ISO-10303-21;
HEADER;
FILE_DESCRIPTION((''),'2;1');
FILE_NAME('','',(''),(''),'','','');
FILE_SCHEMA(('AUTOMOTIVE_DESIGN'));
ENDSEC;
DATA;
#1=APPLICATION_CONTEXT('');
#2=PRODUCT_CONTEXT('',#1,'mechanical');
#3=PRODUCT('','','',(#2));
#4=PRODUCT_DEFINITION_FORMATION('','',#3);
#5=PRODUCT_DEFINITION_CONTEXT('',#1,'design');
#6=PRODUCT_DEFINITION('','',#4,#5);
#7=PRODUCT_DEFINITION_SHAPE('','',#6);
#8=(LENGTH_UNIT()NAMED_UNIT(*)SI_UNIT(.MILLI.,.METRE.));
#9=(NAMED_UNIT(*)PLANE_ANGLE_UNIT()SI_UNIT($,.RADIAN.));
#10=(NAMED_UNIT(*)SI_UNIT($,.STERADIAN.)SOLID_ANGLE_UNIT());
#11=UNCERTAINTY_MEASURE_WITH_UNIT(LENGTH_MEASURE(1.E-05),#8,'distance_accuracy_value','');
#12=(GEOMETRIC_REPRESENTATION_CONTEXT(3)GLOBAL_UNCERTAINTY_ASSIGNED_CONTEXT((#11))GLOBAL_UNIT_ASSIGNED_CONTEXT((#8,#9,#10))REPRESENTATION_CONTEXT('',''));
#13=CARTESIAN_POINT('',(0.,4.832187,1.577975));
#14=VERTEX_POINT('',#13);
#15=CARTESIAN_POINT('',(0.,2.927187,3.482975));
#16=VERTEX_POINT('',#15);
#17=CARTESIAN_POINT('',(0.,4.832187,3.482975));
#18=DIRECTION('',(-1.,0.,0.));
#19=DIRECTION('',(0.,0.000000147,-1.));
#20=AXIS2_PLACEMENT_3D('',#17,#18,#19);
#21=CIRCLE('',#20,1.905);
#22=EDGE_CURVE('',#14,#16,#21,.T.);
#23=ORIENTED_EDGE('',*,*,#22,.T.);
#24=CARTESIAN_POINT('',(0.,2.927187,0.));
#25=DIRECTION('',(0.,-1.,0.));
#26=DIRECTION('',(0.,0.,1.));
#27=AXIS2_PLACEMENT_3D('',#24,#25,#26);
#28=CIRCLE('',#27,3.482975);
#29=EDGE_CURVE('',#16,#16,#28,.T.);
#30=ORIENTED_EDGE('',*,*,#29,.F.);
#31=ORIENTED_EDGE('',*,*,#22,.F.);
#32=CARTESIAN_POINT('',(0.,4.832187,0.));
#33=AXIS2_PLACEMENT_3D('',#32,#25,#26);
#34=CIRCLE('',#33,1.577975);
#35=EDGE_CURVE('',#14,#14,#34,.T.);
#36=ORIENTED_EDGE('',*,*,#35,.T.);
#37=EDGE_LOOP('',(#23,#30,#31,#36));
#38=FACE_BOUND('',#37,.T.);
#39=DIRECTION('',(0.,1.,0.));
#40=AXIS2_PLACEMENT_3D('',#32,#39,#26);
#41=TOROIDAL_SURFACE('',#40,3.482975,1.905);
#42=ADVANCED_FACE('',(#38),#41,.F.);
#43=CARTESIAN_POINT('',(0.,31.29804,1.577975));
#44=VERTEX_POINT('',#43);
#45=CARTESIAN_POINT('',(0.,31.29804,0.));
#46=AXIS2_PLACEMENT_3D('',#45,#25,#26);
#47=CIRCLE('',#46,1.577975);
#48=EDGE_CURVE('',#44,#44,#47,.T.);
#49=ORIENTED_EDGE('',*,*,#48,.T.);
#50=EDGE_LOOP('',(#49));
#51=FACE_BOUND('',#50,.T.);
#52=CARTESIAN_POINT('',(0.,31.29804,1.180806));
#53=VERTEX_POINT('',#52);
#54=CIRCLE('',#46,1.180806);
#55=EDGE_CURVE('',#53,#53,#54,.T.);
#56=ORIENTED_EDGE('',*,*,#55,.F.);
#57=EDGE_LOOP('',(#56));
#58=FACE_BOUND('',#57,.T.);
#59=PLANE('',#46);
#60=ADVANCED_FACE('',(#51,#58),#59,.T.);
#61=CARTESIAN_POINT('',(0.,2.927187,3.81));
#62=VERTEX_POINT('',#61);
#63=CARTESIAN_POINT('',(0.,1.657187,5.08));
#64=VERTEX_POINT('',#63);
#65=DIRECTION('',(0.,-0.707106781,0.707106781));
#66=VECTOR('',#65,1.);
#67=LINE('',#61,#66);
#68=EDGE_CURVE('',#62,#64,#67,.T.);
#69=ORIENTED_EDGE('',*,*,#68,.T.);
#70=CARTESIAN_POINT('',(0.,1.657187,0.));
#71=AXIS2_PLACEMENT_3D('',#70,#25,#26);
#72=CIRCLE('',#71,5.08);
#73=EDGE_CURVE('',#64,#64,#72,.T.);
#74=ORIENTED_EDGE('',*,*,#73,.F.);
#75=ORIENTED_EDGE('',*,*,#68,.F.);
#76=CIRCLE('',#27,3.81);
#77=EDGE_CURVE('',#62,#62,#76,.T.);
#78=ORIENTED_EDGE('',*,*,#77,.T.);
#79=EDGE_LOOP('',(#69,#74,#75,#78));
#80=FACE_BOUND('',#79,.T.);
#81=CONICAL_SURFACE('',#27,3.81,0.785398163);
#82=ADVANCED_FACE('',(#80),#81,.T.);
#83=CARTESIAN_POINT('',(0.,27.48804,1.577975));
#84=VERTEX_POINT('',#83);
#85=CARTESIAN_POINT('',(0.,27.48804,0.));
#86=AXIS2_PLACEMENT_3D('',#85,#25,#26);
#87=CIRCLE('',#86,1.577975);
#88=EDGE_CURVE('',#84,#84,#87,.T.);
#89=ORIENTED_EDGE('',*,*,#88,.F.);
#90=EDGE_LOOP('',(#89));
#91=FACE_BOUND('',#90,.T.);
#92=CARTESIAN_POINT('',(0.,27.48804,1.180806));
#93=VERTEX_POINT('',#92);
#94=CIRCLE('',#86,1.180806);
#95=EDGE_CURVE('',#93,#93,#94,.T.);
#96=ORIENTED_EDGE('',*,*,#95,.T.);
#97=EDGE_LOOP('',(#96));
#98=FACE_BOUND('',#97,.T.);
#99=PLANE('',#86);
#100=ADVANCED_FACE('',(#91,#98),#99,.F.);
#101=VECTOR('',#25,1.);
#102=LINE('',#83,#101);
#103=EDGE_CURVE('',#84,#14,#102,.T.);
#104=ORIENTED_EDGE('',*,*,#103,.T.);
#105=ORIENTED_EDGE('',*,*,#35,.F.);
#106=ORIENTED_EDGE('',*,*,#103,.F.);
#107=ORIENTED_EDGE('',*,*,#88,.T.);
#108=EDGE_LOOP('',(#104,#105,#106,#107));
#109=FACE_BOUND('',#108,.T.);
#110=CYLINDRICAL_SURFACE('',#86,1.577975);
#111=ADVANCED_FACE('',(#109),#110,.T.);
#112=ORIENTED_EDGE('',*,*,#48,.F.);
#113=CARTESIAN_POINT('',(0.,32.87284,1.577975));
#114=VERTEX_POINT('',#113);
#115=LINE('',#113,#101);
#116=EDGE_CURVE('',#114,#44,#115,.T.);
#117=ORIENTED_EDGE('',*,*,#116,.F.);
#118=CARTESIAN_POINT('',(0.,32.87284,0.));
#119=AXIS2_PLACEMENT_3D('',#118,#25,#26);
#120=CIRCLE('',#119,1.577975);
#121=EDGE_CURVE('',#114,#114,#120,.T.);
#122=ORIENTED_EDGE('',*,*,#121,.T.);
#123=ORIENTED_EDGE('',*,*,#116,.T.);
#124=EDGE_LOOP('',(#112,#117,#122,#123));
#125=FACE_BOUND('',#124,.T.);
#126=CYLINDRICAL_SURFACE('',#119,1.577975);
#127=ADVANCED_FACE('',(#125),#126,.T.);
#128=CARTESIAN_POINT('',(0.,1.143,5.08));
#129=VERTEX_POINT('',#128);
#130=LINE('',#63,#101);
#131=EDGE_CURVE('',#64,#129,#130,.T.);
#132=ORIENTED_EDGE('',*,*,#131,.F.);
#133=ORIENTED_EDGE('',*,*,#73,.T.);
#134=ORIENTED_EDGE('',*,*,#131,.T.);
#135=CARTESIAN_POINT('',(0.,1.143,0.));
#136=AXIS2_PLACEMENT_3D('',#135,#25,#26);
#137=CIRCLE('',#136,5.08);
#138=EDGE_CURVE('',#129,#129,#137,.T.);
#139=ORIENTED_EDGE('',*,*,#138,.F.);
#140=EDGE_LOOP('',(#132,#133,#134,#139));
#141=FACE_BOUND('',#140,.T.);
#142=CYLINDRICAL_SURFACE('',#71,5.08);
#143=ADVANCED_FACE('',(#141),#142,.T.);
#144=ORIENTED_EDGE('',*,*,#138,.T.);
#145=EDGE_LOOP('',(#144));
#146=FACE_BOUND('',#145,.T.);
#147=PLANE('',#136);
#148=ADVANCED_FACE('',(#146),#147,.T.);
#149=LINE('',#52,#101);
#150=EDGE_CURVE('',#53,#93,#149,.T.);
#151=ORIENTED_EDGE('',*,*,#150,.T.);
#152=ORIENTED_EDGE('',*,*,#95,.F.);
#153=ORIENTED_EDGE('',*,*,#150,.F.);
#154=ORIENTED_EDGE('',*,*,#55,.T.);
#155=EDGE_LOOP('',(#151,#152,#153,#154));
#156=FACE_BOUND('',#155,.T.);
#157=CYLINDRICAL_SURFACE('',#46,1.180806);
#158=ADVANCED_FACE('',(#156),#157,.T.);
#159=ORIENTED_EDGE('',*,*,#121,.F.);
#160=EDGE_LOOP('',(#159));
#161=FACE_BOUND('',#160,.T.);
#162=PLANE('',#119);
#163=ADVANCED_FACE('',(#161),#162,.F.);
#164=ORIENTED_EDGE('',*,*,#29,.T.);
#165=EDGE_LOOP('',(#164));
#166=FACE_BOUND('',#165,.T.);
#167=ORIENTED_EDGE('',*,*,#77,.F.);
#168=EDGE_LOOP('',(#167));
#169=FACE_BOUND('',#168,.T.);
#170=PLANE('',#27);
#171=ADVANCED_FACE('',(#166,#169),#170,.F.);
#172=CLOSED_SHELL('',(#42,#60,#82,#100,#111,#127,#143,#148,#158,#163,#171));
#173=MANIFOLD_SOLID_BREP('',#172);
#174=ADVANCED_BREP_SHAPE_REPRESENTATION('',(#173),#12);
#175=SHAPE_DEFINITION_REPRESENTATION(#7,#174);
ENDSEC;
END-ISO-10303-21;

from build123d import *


with BuildPart() as f1:
    # F0 (on Right) → F1 (revolve)
    with BuildSketch(Plane.YZ):
        with BuildLine():
            Line((2.927187, 3.81), (1.657187, 5.08))
            Line((1.657187, 5.08), (1.143, 5.08))
            Line((1.143, 5.08), (1.143, 0))
            Line((1.143, 0), (32.87284, 0))
            Line((32.87284, 0), (32.87284, 1.577975))
            Line((32.87284, 1.577975), (31.29804, 1.577975))
            Line((31.29804, 1.577975), (31.29804, 1.180806))
            Line((31.29804, 1.180806), (27.48804, 1.180806))
            Line((27.48804, 1.180806), (27.48804, 1.577975))
            Line((27.48804, 1.577975), (4.832187, 1.577975))
            ThreePointArc((4.832187, 1.577975), (3.485148, 2.135937), (2.927187, 3.482975))
            Line((2.927187, 3.482975), (2.927187, 3.81))
        make_face()
    revolve(axis=Axis((0, 17.00792, 0), (0, -1, 0)))


solid = f1.part
